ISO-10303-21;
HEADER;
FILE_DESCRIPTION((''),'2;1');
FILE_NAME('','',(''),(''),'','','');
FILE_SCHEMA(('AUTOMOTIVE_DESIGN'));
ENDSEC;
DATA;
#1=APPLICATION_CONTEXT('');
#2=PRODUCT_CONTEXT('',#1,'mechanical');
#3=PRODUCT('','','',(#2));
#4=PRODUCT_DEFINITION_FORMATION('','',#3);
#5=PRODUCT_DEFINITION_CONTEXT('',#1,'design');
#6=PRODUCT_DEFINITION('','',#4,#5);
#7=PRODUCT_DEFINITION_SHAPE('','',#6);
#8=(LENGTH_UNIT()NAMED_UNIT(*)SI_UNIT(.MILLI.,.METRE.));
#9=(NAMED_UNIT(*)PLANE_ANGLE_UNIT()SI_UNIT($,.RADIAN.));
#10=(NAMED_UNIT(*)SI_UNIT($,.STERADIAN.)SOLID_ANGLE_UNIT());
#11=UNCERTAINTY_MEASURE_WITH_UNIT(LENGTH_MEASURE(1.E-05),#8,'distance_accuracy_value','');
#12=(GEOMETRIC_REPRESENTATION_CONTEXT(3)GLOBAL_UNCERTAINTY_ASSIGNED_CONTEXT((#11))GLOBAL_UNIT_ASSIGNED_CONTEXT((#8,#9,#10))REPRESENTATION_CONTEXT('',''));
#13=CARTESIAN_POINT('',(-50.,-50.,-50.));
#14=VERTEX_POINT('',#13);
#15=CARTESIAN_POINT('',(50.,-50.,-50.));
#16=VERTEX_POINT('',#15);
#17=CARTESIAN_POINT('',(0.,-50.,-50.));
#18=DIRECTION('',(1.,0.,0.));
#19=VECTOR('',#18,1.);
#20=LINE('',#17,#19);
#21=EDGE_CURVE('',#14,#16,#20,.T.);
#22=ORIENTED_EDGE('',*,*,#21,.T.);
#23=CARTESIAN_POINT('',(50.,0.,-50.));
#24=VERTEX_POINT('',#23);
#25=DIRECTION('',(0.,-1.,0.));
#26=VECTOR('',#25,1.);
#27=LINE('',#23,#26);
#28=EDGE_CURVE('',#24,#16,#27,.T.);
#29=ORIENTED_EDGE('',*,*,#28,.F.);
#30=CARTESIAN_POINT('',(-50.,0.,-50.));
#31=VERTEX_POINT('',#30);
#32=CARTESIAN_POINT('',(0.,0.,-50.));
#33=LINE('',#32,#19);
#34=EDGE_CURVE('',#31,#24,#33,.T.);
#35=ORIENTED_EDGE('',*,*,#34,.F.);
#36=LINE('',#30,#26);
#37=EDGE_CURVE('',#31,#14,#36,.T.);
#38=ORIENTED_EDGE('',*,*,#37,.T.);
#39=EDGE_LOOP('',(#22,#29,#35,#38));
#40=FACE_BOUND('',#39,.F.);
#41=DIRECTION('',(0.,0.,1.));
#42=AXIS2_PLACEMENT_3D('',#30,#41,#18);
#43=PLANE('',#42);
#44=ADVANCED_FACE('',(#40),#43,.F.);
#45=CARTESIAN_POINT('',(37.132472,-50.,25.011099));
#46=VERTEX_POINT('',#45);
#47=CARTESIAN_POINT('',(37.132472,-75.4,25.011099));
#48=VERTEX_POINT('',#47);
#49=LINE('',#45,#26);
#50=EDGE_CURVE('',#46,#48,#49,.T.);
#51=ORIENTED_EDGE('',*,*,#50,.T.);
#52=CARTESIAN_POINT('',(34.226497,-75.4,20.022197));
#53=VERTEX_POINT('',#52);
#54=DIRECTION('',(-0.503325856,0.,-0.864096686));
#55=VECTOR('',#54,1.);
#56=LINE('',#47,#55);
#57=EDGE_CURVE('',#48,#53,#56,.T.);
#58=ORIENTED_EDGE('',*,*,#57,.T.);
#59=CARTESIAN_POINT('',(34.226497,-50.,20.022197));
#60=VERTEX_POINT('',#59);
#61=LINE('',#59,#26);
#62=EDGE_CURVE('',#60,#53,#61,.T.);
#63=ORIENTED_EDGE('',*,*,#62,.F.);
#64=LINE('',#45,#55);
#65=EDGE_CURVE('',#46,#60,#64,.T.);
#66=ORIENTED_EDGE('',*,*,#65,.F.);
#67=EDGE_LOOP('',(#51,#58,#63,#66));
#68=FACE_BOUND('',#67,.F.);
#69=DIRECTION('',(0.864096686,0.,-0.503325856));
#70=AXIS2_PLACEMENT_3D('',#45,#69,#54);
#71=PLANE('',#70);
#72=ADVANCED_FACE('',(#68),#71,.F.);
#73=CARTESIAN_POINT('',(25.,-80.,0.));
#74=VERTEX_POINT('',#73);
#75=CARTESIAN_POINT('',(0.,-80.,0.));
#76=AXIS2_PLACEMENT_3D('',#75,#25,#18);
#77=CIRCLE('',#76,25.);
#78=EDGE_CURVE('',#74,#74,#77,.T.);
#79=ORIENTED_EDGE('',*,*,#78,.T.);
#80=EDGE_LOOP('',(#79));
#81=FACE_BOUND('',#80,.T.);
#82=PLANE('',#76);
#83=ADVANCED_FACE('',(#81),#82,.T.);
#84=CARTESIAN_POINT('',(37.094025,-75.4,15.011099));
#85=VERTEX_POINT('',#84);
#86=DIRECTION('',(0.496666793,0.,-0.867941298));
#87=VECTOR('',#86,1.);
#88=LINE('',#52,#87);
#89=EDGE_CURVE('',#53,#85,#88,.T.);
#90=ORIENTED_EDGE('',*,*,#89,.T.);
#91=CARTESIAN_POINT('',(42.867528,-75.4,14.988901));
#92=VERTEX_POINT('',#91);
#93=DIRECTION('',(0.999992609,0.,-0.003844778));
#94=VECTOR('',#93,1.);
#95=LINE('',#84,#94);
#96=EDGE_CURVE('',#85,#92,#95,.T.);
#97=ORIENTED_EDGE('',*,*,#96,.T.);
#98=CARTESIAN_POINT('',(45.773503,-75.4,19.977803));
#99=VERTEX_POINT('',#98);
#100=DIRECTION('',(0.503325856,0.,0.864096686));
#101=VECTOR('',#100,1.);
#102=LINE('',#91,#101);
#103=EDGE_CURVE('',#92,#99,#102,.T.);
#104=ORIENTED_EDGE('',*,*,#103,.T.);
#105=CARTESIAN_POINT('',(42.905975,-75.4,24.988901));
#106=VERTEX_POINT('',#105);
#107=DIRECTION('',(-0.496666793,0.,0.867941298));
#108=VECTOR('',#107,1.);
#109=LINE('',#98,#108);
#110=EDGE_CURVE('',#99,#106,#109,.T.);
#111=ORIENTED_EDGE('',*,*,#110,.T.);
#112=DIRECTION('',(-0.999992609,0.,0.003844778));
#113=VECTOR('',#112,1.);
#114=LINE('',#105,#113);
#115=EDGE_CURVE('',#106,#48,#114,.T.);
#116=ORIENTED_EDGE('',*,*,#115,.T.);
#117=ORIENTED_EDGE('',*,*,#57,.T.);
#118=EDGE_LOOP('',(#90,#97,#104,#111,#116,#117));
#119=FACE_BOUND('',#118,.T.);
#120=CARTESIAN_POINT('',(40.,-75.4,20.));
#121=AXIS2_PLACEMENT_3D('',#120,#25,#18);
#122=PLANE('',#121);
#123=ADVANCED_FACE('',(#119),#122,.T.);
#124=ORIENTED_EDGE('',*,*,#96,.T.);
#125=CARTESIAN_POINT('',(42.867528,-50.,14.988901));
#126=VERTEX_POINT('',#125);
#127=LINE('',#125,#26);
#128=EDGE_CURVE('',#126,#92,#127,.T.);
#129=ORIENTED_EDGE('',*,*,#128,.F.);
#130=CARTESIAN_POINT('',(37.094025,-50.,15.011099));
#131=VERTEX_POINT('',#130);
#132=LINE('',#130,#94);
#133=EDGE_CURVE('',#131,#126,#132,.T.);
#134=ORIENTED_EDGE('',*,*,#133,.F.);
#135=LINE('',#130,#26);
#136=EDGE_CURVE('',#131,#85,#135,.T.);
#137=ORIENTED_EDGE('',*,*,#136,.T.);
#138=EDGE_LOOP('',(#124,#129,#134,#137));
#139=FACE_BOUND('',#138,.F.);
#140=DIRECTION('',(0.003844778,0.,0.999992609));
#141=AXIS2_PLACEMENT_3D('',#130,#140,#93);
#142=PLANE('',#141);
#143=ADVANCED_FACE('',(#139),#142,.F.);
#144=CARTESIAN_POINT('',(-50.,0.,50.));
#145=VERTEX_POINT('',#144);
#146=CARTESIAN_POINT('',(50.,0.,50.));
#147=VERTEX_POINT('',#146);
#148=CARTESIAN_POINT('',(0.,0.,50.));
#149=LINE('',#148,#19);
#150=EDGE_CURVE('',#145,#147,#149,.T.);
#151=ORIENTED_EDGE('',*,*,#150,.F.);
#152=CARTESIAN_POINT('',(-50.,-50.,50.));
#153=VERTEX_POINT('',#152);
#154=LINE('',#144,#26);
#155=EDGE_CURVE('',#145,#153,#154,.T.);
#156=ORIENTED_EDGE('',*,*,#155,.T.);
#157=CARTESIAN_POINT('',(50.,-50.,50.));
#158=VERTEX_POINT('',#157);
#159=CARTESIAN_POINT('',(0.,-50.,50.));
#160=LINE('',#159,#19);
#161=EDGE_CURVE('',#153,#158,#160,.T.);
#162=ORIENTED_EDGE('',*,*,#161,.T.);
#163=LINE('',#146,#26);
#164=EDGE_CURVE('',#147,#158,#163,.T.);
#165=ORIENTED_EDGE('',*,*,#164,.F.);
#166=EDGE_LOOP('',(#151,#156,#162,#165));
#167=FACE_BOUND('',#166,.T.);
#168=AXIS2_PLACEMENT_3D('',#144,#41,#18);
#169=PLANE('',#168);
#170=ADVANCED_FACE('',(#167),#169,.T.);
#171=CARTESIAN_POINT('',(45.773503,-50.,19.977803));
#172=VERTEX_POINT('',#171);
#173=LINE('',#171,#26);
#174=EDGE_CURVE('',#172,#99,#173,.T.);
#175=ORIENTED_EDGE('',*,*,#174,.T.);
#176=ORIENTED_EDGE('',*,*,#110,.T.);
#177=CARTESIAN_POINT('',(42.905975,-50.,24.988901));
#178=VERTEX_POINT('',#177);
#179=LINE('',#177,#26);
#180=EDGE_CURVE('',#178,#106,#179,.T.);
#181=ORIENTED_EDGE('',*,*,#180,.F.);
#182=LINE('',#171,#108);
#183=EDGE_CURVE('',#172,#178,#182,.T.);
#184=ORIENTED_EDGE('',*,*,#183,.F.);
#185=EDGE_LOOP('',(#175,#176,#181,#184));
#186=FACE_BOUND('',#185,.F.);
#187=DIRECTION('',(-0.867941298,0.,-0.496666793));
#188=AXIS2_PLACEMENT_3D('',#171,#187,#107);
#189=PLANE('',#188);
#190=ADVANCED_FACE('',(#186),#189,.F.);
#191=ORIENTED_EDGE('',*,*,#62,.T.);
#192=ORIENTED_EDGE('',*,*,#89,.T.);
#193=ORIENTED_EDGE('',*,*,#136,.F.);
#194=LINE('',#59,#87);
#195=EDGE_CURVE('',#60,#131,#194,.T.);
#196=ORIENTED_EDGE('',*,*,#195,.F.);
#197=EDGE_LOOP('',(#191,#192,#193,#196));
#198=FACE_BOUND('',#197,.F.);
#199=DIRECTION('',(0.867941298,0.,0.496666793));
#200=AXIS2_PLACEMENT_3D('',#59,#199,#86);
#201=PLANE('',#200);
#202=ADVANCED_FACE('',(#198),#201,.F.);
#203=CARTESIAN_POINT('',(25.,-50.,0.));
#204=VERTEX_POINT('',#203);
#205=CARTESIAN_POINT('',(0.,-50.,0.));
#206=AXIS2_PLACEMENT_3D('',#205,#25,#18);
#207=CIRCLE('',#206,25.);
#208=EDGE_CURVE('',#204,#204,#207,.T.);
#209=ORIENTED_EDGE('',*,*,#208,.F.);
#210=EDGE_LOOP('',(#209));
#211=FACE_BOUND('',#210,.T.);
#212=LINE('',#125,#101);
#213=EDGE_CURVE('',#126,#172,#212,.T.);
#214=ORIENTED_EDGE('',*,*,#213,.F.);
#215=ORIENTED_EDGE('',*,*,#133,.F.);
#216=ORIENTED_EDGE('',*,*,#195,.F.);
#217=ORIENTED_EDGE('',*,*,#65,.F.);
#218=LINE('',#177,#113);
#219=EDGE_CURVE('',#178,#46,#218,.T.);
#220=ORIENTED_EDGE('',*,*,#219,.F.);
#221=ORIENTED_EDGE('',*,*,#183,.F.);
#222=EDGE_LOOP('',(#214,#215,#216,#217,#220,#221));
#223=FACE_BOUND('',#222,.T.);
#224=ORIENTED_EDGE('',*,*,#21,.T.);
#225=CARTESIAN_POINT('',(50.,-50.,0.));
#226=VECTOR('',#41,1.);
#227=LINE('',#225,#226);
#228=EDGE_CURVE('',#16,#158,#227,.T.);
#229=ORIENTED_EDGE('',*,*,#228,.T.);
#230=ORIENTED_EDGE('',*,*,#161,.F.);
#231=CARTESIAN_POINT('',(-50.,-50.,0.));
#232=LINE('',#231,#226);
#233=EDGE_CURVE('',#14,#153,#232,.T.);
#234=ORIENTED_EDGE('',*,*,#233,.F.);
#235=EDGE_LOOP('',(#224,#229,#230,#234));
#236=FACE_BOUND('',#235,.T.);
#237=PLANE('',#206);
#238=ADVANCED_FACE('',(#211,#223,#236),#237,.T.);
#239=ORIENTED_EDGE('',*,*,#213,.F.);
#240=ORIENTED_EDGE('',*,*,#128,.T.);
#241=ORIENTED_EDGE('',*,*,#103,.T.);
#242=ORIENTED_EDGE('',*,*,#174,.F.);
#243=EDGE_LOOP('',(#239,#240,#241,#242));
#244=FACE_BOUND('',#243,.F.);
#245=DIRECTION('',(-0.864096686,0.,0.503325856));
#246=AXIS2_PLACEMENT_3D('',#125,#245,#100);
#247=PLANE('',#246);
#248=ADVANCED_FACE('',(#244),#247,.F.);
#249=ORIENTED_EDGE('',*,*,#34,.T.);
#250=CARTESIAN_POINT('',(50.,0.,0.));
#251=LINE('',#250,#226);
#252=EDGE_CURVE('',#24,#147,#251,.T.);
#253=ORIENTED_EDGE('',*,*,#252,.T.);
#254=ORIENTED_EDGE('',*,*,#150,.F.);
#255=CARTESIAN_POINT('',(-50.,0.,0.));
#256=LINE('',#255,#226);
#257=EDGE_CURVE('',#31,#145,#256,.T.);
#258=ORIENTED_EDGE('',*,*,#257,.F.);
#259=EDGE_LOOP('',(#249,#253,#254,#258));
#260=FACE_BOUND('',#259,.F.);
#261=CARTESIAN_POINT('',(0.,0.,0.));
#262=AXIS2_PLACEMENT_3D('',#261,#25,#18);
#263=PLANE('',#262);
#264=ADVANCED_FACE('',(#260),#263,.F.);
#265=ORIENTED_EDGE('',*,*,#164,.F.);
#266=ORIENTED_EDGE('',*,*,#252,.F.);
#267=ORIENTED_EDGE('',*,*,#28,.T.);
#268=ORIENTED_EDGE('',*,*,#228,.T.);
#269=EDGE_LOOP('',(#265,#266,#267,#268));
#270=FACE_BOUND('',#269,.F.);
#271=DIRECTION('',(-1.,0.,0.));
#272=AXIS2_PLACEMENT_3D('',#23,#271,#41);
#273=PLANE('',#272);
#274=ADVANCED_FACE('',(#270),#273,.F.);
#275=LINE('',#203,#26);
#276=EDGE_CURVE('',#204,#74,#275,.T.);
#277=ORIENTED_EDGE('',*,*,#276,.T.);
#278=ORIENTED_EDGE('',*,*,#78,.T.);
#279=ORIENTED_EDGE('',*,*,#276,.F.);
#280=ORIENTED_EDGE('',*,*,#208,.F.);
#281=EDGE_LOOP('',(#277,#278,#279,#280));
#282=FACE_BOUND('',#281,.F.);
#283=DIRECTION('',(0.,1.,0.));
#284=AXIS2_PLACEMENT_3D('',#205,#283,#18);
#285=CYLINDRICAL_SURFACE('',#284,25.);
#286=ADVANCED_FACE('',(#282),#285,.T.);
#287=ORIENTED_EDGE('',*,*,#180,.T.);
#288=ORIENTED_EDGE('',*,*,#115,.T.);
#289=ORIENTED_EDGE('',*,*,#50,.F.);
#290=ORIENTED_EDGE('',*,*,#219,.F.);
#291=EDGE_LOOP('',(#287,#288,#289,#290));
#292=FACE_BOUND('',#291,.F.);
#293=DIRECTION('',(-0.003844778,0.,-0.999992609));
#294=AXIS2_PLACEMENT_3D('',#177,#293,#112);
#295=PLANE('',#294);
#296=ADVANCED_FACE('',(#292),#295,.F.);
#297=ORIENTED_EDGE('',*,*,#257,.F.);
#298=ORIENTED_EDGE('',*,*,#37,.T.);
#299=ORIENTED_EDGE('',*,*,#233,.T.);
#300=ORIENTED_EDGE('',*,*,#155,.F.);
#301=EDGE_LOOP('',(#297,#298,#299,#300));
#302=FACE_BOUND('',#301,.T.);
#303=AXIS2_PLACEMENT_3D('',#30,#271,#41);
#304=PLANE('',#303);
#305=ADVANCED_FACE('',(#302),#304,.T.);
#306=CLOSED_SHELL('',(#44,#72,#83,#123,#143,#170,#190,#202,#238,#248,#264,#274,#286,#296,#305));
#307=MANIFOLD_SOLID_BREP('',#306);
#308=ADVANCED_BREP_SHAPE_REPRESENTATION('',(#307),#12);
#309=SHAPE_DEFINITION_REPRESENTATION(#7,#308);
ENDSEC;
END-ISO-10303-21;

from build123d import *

# Parameters (mm, degrees)
F0_W     = 100
F0_H     = 100
F1_DEPTH = 50
F2_R     = 25
F3_DEPTH = 30
F5_DEPTH = 25.4


with BuildPart() as f1:
    # F0 (on Front) → F1 (new body)
    with BuildSketch(Plane.XZ):
        Rectangle(F0_W, F0_H)
    extrude(amount=F1_DEPTH)

    # F2 (on face) → F3 (join)
    with BuildSketch(Plane.XZ.offset(50)):
        Circle(F2_R)
    extrude(amount=F3_DEPTH)

    # F4 (on face) → F5 (join)
    with BuildSketch(Plane.XZ.offset(50)):
        Polygon((45.773503, 19.977803), (42.905975, 24.988901), (37.132472, 25.011099), (34.226497, 20.022197), (37.094025, 15.011099), (42.867528, 14.988901), align=None)
    extrude(amount=F5_DEPTH)


solid = f1.part
